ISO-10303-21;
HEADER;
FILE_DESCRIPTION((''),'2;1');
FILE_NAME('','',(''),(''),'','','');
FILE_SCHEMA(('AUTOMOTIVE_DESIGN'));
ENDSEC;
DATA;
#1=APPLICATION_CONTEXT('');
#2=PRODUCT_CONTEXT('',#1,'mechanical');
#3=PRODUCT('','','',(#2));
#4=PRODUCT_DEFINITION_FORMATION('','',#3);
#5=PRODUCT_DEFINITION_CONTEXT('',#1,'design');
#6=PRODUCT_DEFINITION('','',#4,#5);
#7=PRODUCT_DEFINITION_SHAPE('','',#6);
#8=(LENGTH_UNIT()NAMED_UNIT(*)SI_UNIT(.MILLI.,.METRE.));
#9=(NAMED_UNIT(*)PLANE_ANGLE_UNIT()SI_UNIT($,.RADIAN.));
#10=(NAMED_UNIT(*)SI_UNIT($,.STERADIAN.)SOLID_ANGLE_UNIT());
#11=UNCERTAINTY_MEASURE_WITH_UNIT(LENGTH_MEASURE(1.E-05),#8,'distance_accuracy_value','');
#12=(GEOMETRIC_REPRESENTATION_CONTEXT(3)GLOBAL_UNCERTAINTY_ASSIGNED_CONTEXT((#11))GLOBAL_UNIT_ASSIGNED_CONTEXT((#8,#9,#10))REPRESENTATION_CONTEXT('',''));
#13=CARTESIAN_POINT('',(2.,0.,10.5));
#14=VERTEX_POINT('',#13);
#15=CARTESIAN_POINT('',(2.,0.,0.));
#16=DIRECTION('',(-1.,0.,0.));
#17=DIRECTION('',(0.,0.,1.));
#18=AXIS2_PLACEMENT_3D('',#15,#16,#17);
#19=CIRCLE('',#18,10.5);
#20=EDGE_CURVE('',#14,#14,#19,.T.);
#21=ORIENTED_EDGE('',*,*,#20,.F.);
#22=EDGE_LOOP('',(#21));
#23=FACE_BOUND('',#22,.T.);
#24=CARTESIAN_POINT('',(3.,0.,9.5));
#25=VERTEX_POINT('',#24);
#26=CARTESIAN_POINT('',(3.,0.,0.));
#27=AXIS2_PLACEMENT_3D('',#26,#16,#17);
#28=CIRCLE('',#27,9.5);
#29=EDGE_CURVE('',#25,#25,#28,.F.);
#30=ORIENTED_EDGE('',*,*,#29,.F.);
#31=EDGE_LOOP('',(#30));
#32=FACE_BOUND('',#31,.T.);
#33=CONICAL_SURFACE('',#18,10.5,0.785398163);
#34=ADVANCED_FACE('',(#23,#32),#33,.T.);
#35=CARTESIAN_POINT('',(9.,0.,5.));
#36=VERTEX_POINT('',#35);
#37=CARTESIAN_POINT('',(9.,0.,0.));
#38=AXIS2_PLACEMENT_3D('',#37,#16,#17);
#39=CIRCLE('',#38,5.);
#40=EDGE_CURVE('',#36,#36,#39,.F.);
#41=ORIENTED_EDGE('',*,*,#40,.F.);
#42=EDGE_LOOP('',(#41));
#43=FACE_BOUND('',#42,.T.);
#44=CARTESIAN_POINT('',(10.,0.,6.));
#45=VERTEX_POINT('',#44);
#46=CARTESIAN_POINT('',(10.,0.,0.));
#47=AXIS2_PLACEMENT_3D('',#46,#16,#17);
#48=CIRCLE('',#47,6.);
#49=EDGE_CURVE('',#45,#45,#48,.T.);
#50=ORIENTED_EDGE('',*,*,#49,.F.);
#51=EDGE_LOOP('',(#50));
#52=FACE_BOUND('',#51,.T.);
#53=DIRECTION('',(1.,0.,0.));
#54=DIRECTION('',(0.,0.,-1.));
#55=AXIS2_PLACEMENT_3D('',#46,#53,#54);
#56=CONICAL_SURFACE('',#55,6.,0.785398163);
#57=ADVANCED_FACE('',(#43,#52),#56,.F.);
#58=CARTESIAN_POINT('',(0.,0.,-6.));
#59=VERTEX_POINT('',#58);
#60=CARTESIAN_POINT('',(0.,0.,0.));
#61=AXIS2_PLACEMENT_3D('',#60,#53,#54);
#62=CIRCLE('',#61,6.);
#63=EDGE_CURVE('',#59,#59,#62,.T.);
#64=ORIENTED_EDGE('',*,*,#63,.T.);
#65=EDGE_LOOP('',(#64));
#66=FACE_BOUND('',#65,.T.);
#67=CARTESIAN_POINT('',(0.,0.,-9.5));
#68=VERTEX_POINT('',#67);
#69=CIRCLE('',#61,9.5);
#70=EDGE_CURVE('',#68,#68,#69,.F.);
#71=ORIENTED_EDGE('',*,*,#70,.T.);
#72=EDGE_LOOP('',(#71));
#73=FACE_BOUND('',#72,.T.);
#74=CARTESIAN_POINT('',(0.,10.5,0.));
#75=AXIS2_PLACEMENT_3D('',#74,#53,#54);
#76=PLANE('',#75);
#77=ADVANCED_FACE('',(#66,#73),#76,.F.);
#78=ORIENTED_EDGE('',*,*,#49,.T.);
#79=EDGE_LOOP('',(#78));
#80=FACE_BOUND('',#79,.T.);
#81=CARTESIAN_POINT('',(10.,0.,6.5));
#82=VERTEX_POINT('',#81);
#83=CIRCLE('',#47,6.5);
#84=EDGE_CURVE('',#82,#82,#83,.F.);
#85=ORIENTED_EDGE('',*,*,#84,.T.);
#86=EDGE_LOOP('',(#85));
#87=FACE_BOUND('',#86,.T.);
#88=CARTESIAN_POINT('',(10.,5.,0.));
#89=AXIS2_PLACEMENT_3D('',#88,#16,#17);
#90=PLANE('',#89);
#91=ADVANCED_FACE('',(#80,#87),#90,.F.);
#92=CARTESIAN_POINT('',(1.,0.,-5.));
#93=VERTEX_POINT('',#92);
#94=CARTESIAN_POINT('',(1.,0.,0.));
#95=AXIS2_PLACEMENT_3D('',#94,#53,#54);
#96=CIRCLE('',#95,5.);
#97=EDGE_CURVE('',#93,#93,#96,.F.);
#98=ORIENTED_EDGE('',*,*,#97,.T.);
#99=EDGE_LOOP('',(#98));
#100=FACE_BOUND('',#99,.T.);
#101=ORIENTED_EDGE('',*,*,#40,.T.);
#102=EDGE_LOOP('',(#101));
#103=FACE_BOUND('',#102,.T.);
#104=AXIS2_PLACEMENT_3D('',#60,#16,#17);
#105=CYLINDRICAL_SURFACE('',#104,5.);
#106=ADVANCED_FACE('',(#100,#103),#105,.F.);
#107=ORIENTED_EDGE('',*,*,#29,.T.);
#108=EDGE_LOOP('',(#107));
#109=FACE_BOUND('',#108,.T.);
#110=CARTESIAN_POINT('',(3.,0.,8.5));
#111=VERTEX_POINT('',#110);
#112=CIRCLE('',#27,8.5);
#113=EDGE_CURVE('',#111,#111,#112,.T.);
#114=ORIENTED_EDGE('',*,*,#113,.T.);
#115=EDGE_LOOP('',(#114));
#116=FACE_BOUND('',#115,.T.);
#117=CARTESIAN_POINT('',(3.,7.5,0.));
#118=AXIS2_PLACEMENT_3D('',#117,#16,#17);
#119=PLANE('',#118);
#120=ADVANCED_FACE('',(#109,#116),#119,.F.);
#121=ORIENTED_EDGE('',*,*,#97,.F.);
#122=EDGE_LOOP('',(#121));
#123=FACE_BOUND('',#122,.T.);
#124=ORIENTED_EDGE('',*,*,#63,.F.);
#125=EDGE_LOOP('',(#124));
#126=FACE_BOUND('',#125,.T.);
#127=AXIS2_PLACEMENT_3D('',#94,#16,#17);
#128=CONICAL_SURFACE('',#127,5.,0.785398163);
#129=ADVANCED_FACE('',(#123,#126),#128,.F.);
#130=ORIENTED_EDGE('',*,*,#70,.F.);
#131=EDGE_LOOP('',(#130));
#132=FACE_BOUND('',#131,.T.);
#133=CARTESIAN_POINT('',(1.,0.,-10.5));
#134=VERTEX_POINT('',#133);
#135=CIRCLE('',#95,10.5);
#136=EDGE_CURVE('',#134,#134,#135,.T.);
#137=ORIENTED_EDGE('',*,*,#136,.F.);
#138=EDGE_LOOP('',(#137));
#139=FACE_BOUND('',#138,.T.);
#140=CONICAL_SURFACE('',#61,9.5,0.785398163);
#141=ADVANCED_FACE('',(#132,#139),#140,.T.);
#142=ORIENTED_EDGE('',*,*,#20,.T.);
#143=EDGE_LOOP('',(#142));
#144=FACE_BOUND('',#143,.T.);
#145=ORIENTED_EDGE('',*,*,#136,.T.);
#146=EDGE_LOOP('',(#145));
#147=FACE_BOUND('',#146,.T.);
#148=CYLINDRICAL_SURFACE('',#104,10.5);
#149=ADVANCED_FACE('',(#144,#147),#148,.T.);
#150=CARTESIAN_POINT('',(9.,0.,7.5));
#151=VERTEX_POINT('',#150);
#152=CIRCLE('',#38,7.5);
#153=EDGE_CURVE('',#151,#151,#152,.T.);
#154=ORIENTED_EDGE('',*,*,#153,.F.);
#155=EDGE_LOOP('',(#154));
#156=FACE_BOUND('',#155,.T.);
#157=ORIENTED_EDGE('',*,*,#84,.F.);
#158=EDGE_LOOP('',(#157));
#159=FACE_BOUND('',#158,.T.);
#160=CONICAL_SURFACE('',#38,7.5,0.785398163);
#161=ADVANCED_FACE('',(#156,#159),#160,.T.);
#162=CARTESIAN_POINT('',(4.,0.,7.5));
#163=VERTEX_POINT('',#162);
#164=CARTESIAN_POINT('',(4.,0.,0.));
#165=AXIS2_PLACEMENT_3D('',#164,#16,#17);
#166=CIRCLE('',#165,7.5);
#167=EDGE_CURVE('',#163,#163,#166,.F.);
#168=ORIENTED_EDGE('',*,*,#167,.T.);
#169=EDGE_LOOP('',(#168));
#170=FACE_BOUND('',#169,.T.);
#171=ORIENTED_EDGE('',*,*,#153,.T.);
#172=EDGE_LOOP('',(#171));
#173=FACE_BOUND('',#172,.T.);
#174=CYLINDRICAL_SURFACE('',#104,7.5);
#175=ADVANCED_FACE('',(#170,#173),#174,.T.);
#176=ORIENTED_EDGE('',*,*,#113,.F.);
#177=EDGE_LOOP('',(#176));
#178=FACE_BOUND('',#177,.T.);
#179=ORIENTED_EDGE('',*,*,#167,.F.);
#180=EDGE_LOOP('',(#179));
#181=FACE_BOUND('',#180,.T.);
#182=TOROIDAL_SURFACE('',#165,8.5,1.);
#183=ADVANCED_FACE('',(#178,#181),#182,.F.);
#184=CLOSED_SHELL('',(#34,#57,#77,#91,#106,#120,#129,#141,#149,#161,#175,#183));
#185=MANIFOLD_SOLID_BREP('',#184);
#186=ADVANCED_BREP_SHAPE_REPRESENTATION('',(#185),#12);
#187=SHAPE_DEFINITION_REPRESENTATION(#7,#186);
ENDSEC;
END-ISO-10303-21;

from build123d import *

# Parameters (mm, degrees)
CHAMFER1_SIZE = 1
FILLET1_R     = 1


with BuildPart() as part:
    # Sketch1 → Revolve1 (revolve)
    with BuildSketch(Plane.XY, mode=Mode.PRIVATE) as revolve1_sk:
        Polygon((0, 5), (10, 5), (10, 7.5), (3, 7.5), (3, 10.5), (0, 10.5), align=None)
    revolve(revolve1_sk.sketch.rotate(Axis((0, 0, 0), (1, 0, 0)), 90), axis=Axis((0, 0, 0), (1, 0, 0)))

    # Chamfer1
    chamfer1_edges = [part.edges().sort_by_distance(p)[0] for p in [
        (0, 0, -10.5),
        (3, 0, -10.5),
        (10, 0, -7.5),
        (10, 0, -5),
        (0, 0, -5),
    ]]
    chamfer(chamfer1_edges, length=CHAMFER1_SIZE)

    # Fillet1
    fillet1_edges = [part.edges().sort_by_distance(p)[0] for p in [
        (3, 0, -7.5),
    ]]
    fillet(fillet1_edges, radius=FILLET1_R)


solid = part.part
